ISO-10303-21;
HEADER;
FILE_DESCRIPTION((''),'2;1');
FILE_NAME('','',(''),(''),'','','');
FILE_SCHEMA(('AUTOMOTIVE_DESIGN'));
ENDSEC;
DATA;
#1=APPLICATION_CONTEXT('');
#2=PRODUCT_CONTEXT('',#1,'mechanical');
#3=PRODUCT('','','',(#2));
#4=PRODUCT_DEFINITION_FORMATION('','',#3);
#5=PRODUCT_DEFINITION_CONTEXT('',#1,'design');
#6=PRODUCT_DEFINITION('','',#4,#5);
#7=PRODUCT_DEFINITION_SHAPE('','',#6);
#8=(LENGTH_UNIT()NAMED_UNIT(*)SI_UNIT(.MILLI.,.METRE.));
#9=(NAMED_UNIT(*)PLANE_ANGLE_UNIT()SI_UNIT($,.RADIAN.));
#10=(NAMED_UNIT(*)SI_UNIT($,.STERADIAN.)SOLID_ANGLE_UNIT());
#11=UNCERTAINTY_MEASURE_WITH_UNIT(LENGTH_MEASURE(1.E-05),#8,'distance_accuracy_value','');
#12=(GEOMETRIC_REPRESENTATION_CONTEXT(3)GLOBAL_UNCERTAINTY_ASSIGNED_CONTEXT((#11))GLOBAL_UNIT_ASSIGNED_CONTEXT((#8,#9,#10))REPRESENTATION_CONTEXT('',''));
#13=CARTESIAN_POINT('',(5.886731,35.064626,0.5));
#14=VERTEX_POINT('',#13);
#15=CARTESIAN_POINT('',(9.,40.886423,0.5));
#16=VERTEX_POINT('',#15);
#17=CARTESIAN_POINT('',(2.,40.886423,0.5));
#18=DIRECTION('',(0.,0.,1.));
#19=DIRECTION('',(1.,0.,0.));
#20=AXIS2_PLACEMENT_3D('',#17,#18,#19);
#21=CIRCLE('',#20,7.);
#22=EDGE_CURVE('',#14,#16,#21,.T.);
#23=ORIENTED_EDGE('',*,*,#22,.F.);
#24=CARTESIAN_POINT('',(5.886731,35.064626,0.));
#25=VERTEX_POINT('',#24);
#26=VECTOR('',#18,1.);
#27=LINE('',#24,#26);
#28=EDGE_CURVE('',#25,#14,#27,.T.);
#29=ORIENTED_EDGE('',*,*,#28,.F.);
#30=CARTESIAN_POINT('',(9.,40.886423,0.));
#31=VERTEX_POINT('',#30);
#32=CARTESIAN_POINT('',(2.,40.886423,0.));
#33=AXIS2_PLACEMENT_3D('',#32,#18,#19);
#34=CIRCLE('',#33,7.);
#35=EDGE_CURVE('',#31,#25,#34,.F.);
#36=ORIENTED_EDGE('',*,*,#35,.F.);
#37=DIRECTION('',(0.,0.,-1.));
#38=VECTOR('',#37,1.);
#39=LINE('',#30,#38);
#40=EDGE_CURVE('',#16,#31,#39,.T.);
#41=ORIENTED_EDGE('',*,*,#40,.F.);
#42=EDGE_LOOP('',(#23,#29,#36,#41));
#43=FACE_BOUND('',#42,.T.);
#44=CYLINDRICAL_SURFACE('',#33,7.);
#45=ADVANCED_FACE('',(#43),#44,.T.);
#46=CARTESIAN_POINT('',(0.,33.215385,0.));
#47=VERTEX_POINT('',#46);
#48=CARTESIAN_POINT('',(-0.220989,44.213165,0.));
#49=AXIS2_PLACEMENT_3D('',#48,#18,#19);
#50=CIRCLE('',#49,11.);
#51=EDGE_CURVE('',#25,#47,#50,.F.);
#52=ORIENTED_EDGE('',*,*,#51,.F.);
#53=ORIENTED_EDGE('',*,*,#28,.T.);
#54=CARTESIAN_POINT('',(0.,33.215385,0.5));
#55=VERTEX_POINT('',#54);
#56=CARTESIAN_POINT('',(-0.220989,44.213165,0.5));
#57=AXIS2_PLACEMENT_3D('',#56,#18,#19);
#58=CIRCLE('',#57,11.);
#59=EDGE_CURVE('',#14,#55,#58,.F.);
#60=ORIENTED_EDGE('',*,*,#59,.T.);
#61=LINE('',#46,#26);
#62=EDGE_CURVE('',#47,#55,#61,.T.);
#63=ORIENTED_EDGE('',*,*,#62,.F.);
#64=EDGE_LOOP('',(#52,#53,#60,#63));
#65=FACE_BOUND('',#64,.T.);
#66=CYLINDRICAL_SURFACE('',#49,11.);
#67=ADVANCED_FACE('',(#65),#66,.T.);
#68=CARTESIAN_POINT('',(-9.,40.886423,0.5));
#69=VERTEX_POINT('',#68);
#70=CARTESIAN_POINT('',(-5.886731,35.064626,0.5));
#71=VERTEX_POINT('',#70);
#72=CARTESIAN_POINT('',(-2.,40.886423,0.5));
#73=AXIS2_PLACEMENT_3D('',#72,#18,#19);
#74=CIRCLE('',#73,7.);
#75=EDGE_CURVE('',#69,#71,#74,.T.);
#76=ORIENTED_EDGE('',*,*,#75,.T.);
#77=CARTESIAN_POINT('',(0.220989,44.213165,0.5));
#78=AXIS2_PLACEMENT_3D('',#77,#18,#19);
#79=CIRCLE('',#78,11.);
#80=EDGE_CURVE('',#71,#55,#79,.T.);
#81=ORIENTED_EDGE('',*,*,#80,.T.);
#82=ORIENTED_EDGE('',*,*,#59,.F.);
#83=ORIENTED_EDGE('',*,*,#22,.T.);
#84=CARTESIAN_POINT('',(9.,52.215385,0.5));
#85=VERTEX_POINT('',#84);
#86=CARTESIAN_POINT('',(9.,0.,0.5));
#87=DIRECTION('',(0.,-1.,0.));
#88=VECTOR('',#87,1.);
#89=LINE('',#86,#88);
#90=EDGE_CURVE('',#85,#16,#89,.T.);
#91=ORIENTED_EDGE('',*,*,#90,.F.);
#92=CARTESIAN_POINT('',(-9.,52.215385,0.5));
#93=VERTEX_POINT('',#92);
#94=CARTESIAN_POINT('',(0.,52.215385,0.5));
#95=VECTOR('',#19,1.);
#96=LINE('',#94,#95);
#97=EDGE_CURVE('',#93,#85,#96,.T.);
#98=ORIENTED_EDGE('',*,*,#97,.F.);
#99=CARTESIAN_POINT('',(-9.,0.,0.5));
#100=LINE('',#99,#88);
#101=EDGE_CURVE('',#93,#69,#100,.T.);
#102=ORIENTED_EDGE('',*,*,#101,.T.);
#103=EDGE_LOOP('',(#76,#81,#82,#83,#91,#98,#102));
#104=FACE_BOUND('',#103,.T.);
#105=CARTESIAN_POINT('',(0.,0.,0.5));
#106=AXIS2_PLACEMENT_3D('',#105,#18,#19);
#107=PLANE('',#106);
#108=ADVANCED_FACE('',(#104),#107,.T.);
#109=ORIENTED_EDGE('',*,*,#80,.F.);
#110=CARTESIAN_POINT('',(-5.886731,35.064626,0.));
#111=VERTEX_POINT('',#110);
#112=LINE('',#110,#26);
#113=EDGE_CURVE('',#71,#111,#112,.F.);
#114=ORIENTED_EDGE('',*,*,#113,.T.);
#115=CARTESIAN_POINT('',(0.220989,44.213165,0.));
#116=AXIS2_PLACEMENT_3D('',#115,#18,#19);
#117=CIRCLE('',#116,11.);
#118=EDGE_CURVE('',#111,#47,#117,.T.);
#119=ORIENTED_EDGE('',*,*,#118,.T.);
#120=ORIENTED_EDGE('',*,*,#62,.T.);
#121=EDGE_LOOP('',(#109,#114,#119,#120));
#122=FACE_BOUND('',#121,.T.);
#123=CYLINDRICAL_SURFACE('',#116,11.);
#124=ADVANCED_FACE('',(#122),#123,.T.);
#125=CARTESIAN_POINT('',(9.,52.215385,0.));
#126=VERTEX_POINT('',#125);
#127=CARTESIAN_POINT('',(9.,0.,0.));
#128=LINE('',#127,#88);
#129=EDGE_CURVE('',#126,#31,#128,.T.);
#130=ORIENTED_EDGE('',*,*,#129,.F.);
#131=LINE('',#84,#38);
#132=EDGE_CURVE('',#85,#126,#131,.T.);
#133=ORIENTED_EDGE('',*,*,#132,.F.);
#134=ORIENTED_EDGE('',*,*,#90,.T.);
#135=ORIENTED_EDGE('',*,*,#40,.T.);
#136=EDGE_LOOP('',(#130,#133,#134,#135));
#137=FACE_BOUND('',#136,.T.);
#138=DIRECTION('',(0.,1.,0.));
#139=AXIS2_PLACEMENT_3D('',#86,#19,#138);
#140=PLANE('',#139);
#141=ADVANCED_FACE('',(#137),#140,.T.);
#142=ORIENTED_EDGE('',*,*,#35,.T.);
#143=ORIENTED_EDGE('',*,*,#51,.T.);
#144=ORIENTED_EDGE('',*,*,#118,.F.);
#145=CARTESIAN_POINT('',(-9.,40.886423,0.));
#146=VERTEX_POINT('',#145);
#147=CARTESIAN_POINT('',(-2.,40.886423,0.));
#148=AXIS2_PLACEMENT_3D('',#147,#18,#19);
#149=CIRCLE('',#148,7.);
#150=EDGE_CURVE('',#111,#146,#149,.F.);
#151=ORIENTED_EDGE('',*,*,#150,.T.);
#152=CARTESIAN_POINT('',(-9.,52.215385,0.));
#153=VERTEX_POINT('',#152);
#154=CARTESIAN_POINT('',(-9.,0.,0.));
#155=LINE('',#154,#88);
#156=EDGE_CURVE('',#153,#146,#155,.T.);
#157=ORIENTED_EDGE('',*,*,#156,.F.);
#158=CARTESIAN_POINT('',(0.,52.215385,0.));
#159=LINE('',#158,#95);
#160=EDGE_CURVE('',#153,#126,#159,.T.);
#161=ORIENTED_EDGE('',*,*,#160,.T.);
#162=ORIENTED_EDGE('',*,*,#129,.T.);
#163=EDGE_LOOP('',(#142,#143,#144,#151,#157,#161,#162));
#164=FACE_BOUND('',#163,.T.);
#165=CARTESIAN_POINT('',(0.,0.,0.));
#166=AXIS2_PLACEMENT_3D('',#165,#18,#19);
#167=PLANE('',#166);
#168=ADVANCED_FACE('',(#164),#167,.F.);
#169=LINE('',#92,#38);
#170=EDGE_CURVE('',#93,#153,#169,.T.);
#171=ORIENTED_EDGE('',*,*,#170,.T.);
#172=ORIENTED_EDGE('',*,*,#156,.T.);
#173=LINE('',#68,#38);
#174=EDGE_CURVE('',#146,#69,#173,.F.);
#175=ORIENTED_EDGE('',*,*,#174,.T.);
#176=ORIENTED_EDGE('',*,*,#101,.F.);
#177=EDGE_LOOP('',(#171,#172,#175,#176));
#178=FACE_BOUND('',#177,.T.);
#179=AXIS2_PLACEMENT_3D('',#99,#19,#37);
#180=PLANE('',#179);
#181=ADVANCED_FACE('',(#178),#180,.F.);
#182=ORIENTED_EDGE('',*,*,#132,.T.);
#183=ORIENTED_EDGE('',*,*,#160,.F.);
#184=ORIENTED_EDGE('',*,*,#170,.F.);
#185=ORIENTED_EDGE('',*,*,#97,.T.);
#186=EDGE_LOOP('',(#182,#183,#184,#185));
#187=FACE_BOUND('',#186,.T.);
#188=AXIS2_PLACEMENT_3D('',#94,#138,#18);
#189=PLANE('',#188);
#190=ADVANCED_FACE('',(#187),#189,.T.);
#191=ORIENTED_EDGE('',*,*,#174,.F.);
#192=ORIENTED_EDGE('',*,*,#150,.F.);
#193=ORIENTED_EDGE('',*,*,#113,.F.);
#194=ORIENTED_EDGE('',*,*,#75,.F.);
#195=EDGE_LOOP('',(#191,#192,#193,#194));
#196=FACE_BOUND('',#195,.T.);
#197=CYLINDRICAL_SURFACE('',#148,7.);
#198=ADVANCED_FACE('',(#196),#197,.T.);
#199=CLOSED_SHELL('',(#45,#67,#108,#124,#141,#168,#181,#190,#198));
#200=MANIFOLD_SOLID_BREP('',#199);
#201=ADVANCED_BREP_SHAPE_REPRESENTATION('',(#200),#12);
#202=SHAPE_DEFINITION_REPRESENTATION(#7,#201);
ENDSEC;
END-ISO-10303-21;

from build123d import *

# Parameters (mm, degrees)
SKETCH_1_W          = 9
SKETCH_1_H          = 19
EXTRUDE_2_DEPTH     = 0.5
CUT_EXTRUDE_1_DEPTH = 53.98770037
FILLET_1_R          = 7


with BuildPart() as part:
    # 草圖1 → 填料-伸長2 (new body)
    with BuildSketch(Plane.XY):
        with Locations((4.5, 42.715384615)):
            Rectangle(SKETCH_1_W, SKETCH_1_H)
        with Locations((-4.5, 42.715384615)):
            Rectangle(SKETCH_1_W, SKETCH_1_H)
    extrude(amount=EXTRUDE_2_DEPTH)

    # 草圖3 → 除料-伸長1 (cut, through all)
    with BuildSketch(Plane.XY.offset(0.5)):
        with BuildLine():
            Line((0, 33.215384615), (9, 33.215384615))
            Line((9, 33.215384615), (9, 38.215384615))
            ThreePointArc((9, 38.215384615), (5.121083379, 34.597434532), (0, 33.215384615))
        make_face()
        with BuildLine():
            Line((-9, 33.215384615), (0, 33.215384615))
            ThreePointArc((0, 33.215384615), (-5.121083379, 34.597434532), (-9, 38.215384615))
            Line((-9, 38.215384615), (-9, 33.215384615))
        make_face()
    extrude(amount=-CUT_EXTRUDE_1_DEPTH, mode=Mode.SUBTRACT)

    # 圓角1
    fillet_1_edges = [part.edges().sort_by_distance(p)[0] for p in [
        (9, 38.215384615, 0.25),
        (-9, 38.215384615, 0.25),
    ]]
    fillet(fillet_1_edges, radius=FILLET_1_R)


solid = part.part
